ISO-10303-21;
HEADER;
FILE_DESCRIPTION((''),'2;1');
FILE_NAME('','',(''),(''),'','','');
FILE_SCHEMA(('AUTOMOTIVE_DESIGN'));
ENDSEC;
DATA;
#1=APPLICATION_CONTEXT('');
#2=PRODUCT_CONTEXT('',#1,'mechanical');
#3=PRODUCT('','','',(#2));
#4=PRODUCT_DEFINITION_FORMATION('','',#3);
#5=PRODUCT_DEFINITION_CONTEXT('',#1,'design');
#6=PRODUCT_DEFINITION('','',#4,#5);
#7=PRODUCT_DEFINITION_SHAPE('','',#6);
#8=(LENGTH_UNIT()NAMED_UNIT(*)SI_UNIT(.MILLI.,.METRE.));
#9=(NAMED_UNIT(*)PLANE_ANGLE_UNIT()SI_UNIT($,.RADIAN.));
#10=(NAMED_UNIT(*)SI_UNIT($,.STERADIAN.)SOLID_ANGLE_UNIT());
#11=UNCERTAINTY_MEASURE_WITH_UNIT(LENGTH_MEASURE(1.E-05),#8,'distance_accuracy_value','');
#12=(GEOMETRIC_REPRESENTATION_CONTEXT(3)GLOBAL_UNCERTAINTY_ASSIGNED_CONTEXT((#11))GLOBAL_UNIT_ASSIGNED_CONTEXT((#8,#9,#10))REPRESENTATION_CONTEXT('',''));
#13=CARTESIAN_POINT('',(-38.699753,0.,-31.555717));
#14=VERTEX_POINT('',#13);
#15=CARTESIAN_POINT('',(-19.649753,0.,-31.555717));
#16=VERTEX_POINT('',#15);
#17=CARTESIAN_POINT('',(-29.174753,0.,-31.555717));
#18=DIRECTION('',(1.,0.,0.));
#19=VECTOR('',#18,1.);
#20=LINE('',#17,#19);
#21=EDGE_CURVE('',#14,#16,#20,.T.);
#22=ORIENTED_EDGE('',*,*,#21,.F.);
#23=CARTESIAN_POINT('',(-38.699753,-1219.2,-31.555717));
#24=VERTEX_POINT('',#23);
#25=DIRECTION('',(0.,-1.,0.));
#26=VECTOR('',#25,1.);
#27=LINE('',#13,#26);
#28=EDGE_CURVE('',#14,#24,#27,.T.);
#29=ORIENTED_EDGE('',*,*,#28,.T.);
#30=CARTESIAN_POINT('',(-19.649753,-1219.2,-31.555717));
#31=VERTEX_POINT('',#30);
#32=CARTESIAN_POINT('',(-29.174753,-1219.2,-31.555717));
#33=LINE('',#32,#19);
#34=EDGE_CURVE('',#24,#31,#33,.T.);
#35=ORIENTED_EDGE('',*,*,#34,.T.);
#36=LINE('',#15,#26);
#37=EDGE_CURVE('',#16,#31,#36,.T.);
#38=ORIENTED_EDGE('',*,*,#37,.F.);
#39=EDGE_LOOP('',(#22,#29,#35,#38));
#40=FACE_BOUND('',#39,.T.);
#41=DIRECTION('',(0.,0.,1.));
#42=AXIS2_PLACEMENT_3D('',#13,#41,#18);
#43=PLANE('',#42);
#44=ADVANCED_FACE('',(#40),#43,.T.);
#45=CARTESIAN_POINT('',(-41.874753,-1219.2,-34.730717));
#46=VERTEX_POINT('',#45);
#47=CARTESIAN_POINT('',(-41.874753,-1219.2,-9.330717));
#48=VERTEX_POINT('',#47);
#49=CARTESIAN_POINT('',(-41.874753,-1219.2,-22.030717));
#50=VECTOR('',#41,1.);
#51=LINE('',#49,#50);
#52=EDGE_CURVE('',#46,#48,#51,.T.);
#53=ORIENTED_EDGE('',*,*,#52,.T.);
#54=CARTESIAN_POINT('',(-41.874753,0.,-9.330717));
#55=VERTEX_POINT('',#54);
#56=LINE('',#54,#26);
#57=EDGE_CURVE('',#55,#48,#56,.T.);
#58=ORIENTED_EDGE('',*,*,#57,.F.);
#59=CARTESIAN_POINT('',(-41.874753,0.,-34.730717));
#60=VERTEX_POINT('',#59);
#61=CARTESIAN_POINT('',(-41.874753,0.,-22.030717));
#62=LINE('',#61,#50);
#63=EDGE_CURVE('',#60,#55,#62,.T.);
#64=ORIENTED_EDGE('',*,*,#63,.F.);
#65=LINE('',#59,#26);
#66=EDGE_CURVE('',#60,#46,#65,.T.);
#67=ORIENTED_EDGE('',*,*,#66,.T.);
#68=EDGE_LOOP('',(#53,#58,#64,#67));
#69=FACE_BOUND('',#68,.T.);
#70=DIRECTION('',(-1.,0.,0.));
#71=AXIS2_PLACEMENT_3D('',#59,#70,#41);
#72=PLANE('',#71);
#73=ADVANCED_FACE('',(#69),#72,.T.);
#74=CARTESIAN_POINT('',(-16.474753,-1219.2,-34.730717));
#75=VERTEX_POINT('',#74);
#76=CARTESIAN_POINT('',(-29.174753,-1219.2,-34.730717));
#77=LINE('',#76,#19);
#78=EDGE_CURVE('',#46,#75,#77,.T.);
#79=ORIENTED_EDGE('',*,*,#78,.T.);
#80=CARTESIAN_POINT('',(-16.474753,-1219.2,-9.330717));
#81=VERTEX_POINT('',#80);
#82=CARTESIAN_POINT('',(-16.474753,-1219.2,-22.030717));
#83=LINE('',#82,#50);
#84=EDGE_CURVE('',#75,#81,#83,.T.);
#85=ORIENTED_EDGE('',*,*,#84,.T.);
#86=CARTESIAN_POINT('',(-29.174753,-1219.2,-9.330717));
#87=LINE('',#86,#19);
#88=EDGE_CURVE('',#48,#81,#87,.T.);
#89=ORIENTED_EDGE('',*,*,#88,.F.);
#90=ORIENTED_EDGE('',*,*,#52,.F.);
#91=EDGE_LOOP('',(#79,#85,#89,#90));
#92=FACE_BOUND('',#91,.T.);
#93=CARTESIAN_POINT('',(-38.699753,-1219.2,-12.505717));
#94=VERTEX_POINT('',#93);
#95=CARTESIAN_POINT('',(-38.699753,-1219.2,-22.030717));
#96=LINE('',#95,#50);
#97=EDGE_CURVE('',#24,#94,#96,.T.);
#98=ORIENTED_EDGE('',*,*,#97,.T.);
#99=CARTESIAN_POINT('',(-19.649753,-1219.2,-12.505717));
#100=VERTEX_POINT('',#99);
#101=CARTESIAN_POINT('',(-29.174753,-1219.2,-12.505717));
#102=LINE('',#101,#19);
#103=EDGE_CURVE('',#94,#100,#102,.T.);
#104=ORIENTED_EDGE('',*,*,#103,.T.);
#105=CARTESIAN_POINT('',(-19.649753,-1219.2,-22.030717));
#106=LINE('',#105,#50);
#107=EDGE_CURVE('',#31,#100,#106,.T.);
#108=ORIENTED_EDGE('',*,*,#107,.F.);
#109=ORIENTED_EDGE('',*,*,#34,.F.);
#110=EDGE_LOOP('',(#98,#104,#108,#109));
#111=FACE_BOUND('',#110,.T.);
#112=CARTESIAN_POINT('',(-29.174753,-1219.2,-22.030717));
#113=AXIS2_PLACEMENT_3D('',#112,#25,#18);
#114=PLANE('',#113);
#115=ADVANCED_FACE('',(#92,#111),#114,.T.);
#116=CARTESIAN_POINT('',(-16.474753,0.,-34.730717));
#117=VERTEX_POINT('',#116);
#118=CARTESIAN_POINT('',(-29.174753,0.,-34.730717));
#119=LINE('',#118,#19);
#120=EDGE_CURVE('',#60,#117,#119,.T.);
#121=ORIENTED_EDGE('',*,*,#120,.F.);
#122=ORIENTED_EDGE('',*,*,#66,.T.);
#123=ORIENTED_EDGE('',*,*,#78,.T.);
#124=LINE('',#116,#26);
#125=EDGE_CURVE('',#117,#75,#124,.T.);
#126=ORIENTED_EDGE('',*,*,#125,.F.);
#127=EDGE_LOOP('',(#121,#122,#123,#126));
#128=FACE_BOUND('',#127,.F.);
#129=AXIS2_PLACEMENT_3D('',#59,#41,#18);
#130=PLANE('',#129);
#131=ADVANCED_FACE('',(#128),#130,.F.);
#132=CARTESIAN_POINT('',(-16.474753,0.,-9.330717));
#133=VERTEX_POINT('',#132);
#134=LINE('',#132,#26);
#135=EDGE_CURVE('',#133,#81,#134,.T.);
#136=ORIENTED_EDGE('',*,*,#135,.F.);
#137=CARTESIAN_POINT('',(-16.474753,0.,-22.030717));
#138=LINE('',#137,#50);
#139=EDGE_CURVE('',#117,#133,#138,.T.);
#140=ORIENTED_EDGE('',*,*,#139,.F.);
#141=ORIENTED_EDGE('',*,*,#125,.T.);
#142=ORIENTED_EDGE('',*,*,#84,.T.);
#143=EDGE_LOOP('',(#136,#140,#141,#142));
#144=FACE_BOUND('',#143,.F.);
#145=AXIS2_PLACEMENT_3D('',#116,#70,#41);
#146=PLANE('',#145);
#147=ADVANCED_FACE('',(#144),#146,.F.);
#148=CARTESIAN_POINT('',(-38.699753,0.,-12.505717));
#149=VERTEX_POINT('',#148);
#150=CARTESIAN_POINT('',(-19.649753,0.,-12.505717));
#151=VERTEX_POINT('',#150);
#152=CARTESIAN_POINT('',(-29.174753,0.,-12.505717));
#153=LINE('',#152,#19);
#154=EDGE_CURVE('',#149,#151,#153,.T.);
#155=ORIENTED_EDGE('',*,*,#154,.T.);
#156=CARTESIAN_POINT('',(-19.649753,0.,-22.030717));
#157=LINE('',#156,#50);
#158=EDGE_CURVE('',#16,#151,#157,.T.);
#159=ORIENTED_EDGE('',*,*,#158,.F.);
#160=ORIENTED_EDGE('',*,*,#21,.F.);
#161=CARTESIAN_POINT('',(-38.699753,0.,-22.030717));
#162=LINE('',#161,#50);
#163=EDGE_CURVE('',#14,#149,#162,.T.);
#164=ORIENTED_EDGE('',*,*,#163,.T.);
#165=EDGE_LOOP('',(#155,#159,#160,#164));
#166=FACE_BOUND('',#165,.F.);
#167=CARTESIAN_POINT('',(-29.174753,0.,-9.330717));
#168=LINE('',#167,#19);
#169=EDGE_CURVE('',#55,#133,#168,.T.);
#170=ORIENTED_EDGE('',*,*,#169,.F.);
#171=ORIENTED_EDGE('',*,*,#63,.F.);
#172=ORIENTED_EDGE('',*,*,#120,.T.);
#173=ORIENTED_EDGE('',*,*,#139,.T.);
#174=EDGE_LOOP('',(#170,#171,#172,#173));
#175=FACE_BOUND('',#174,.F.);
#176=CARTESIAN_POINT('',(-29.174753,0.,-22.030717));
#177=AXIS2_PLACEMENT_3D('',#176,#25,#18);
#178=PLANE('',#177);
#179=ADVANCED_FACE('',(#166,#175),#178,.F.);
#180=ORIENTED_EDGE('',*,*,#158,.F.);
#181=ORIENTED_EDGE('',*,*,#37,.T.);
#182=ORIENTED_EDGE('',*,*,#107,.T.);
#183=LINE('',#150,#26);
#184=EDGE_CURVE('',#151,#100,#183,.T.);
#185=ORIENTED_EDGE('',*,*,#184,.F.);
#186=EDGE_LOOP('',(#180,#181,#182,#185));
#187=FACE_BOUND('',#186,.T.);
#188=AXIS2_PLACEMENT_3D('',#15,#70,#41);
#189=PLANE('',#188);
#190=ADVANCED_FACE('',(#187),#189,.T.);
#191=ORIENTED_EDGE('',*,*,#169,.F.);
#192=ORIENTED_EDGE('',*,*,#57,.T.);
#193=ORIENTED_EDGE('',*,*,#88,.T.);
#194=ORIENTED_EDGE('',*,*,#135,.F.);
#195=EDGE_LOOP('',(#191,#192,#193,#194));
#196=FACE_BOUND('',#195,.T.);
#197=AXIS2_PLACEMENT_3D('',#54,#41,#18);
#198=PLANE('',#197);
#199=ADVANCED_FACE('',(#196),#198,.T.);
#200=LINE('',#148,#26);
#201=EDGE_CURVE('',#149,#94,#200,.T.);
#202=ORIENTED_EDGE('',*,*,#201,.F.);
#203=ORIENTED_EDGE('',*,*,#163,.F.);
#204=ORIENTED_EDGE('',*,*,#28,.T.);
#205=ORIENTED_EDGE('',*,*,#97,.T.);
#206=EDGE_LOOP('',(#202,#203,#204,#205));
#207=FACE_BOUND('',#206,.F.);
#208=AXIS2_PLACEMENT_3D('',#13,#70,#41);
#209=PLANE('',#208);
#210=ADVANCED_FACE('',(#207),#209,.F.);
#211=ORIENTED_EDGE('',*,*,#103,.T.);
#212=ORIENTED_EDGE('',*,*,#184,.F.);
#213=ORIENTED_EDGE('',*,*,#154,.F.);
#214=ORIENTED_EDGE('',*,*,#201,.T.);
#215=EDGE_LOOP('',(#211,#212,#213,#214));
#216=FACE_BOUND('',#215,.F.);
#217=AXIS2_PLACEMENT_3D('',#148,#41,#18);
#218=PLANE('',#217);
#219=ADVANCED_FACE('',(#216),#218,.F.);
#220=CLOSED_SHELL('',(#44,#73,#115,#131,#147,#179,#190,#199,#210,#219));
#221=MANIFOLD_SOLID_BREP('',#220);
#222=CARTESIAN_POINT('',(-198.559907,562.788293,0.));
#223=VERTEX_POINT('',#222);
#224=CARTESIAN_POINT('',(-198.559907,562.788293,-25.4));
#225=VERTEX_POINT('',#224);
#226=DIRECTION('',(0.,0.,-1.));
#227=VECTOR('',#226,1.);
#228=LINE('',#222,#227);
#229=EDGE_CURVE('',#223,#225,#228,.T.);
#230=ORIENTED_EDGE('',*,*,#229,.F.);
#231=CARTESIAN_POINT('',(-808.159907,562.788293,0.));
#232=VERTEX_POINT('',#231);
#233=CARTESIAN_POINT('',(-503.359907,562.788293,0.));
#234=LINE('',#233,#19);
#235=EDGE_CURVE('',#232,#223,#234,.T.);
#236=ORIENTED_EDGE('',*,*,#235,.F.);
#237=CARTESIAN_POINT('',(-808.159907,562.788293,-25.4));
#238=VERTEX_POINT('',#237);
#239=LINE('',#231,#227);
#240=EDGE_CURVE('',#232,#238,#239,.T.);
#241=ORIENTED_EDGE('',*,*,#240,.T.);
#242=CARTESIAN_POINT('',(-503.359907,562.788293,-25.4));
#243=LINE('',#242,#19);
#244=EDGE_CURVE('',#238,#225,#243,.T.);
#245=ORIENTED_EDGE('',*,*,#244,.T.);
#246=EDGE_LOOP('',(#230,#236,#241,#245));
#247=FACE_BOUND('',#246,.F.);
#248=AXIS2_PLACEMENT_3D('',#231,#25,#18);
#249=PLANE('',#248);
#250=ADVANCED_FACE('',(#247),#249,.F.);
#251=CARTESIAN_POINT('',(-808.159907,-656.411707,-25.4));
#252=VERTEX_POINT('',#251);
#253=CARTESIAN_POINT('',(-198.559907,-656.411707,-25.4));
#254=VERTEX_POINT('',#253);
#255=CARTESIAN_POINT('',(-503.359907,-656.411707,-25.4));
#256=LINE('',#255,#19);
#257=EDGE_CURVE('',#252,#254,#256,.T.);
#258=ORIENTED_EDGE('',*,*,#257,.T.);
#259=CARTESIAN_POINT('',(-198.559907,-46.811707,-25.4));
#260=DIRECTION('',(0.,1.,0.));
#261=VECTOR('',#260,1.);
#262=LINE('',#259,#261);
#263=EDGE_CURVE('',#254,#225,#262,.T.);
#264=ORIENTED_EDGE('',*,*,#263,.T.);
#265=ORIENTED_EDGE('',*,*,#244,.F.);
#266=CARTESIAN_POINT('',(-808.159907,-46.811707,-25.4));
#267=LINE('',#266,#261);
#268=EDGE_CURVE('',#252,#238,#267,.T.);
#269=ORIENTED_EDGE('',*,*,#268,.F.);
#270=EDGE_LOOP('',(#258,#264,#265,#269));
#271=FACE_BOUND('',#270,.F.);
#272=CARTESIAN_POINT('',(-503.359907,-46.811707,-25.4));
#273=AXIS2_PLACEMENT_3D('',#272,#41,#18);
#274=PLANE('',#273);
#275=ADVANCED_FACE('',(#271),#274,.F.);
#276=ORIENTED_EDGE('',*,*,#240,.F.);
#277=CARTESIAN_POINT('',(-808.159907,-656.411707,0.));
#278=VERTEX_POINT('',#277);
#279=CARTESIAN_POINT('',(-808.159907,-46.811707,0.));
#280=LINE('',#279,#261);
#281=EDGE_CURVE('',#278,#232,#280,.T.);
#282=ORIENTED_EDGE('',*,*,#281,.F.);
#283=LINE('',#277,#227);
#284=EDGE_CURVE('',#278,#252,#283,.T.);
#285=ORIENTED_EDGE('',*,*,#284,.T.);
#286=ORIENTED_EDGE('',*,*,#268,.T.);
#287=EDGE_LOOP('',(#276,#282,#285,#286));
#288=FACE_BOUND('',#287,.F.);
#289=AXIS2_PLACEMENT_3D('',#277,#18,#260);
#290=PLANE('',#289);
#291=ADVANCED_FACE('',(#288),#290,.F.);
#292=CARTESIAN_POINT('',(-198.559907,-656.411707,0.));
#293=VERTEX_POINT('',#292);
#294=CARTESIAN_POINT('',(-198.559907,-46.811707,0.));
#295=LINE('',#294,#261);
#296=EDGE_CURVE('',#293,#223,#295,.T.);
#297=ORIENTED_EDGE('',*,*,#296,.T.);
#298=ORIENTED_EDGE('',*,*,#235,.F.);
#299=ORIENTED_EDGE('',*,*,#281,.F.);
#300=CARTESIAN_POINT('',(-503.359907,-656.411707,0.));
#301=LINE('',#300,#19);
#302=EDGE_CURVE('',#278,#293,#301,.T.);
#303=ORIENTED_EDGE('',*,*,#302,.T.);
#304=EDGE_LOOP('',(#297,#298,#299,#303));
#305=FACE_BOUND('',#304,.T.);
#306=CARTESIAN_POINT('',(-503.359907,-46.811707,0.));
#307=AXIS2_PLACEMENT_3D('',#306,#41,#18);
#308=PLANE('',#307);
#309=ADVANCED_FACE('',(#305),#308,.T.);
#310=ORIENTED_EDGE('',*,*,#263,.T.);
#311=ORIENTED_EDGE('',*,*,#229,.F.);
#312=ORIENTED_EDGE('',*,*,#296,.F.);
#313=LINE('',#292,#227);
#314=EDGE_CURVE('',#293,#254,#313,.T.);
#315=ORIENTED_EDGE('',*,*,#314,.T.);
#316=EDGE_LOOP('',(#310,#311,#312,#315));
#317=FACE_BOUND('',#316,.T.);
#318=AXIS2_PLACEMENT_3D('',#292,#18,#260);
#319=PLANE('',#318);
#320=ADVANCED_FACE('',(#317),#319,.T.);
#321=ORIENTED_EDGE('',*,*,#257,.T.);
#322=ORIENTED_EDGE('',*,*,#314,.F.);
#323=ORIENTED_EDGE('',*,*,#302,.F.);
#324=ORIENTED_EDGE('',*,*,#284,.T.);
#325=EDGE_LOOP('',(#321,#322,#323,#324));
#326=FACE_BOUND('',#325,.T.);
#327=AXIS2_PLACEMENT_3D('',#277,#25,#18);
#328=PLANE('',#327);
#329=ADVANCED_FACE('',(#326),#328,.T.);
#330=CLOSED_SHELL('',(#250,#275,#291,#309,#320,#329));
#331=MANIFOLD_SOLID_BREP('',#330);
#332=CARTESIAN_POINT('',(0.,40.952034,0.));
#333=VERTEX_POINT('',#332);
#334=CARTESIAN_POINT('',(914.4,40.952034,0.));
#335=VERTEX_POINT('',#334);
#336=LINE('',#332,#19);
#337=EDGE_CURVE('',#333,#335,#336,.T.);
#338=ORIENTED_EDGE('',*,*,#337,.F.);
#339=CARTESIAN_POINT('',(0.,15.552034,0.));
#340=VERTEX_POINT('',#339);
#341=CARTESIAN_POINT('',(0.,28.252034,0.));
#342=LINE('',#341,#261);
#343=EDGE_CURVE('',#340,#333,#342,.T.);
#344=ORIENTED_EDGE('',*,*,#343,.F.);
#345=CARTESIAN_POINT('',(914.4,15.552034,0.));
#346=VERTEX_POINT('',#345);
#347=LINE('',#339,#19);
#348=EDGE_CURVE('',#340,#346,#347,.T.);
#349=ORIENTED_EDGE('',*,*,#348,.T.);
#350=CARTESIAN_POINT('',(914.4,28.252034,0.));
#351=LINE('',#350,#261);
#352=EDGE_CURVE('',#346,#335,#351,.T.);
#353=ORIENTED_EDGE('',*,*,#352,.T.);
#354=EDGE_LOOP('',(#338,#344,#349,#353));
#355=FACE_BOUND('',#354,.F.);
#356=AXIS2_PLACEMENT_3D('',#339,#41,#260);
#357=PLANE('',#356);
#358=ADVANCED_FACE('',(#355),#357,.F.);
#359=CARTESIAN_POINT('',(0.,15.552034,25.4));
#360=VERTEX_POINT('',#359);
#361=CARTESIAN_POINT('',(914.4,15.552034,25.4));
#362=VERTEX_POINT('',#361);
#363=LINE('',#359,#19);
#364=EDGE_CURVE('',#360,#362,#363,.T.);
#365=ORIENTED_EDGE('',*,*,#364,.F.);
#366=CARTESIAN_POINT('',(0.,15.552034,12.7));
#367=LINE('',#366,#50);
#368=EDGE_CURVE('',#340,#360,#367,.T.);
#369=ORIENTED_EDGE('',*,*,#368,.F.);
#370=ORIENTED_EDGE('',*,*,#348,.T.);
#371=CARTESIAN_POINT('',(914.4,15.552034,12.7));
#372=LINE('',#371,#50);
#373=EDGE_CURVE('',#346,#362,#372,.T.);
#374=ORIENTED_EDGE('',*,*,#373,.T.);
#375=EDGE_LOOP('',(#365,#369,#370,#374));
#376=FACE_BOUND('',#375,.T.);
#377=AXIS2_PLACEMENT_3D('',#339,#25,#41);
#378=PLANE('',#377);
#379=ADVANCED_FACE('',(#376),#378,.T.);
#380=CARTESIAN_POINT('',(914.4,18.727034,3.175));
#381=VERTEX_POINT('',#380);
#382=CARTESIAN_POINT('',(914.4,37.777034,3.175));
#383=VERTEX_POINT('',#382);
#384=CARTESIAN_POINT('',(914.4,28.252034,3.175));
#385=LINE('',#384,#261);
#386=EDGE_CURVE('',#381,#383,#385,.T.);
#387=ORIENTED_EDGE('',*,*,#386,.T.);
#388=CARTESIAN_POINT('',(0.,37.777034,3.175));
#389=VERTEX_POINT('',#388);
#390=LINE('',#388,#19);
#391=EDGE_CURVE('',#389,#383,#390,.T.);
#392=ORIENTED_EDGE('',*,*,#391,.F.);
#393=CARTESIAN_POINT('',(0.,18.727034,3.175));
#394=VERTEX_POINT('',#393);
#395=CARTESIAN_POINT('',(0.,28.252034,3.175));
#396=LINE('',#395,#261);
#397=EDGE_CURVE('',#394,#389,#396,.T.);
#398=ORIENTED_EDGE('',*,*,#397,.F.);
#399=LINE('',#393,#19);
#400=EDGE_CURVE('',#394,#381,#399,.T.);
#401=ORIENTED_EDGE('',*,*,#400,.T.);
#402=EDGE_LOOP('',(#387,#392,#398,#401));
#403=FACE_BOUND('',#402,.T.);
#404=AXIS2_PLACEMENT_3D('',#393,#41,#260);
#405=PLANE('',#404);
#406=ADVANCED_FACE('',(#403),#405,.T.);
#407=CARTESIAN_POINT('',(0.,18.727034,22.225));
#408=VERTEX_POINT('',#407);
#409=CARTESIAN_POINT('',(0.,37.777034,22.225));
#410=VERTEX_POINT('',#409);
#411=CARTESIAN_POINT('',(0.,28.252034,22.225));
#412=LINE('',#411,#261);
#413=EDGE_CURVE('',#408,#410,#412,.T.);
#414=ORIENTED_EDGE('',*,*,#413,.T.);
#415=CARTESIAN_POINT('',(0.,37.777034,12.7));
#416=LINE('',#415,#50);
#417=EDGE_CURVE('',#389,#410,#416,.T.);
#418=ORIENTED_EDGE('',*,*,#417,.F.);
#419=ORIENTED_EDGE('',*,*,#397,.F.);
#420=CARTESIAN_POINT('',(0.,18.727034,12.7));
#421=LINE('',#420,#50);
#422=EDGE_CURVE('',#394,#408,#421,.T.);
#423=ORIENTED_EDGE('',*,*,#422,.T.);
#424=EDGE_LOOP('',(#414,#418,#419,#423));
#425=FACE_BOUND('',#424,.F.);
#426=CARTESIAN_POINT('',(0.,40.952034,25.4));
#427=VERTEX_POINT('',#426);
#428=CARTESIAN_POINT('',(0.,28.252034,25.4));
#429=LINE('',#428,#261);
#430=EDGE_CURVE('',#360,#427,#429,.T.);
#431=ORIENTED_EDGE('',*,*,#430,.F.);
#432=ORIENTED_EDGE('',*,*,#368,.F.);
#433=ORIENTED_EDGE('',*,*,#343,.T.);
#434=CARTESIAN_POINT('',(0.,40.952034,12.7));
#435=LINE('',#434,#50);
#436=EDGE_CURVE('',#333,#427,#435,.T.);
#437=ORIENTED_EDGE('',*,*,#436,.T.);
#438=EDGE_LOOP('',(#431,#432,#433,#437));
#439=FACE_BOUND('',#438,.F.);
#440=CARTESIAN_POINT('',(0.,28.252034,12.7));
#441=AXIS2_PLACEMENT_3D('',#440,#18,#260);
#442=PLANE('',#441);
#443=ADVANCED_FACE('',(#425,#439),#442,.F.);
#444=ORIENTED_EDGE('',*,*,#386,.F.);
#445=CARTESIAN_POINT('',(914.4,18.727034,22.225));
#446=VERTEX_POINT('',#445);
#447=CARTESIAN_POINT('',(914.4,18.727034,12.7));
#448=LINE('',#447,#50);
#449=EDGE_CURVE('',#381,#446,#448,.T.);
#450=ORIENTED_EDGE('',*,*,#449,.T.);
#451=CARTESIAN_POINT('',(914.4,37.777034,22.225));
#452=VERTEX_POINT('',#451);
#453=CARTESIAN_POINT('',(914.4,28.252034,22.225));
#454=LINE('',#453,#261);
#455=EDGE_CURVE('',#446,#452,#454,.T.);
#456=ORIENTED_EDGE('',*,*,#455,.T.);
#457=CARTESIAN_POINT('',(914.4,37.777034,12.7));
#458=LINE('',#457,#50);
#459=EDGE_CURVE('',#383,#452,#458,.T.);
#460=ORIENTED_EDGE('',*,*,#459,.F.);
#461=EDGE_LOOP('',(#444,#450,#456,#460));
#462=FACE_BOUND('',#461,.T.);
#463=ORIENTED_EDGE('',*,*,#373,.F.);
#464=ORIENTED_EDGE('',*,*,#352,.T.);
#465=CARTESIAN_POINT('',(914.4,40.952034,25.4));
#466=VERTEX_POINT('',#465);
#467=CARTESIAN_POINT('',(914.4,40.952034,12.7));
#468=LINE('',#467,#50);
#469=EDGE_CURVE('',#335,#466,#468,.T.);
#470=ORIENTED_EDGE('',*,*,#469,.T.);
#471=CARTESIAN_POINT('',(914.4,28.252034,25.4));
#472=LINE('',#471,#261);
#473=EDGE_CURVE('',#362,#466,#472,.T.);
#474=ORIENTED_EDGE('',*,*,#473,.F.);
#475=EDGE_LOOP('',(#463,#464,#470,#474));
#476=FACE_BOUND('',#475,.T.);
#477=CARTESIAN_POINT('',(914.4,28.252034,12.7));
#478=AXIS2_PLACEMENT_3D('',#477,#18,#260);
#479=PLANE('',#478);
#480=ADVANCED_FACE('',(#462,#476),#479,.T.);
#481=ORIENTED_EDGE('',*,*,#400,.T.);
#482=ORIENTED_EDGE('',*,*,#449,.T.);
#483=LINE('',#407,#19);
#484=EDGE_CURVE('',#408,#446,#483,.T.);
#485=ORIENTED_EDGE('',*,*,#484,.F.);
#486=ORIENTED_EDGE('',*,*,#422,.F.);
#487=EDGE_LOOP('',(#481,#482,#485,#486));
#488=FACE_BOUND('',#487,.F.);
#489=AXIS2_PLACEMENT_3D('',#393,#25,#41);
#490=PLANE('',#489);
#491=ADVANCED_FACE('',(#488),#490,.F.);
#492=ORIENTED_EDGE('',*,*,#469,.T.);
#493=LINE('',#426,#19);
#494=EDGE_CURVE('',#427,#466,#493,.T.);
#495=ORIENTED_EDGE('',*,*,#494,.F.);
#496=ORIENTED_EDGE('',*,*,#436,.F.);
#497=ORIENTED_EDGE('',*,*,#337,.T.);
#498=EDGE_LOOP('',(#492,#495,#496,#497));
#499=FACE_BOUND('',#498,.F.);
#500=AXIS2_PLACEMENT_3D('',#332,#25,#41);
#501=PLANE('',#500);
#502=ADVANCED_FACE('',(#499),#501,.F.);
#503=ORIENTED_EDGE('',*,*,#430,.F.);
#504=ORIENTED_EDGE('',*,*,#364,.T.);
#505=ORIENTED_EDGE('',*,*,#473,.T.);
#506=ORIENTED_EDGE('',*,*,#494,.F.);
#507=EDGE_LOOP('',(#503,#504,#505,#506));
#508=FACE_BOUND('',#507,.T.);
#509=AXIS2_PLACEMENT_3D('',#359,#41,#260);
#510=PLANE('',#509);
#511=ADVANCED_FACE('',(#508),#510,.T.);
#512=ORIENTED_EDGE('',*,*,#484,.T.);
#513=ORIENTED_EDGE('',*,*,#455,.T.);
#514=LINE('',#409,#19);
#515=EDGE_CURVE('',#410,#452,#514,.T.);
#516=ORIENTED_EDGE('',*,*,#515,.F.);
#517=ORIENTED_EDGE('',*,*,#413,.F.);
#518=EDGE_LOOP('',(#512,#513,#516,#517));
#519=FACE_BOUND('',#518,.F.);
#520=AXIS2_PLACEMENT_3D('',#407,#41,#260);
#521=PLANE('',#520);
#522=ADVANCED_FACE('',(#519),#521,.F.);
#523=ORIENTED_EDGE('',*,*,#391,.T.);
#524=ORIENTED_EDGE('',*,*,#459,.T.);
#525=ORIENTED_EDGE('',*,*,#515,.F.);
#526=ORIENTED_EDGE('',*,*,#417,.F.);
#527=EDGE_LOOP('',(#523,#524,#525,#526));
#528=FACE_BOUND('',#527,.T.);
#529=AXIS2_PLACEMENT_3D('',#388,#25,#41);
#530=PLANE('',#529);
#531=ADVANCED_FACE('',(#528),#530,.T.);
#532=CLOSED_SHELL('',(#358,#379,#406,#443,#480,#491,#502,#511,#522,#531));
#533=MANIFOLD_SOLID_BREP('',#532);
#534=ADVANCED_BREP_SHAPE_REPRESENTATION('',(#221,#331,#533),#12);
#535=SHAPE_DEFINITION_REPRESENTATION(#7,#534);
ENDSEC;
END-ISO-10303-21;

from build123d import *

# Parameters (mm, degrees)
F0_W      = 101.6
F0_H      = 19.05
F2_DEPTH  = 609.6
F1_W      = 101.6
F1_H      = 19.05
F3_DEPTH  = 1219.2
F5_W      = 609.6
F5_H      = 1219.2
F6_DEPTH  = 25.4
F7_W      = 25.4
F7_H      = 25.4
F7_W_2    = 19.05
F7_H_2    = 19.05
F8_DEPTH  = 1219.2
F9_W      = 25.4
F9_H      = 25.4
F9_W_2    = 19.05
F9_H_2    = 19.05
F10_DEPTH = 914.4


with BuildPart() as f2:
    # F0 (on Right) → F2 (new body)
    with BuildSketch(Plane.YZ):
        with Locations((-79.195688796, -22.0583576024)):
            Rectangle(F0_W, F0_H)
    extrude(amount=-F2_DEPTH)


with BuildPart() as f3:
    # F1 (on Front) → F3 (new body)
    with BuildSketch(Plane.XZ):
        with Locations((95.3139266978, 31.5791172907)):
            Rectangle(F1_W, F1_H)
    extrude(amount=-F3_DEPTH)


with BuildPart() as f6:
    # F5 (on Top) → F6 (new body)
    with BuildSketch(Plane.XY):
        with Locations((-503.359906985, -46.8117073178)):
            Rectangle(F5_W, F5_H)
    extrude(amount=-F6_DEPTH)


with BuildPart() as f8:
    # F7 (on Front) → F8 (new body)
    with BuildSketch(Plane.XZ):
        with Locations((-29.1747529991, -22.0307169825)):
            Rectangle(F7_W, F7_H)
        with Locations((-29.1747529991, -22.0307169825)):
            Rectangle(F7_W_2, F7_H_2, mode=Mode.SUBTRACT)
    extrude(amount=F8_DEPTH)


with BuildPart() as f10:
    # F9 (on Right) → F10 (new body)
    with BuildSketch(Plane.YZ):
        with Locations((28.2520343765, 12.7)):
            Rectangle(F9_W, F9_H)
        with Locations((28.2520343765, 12.7)):
            Rectangle(F9_W_2, F9_H_2, mode=Mode.SUBTRACT)
    extrude(amount=F10_DEPTH)


solid = Compound([f6.part, f8.part, f10.part])
